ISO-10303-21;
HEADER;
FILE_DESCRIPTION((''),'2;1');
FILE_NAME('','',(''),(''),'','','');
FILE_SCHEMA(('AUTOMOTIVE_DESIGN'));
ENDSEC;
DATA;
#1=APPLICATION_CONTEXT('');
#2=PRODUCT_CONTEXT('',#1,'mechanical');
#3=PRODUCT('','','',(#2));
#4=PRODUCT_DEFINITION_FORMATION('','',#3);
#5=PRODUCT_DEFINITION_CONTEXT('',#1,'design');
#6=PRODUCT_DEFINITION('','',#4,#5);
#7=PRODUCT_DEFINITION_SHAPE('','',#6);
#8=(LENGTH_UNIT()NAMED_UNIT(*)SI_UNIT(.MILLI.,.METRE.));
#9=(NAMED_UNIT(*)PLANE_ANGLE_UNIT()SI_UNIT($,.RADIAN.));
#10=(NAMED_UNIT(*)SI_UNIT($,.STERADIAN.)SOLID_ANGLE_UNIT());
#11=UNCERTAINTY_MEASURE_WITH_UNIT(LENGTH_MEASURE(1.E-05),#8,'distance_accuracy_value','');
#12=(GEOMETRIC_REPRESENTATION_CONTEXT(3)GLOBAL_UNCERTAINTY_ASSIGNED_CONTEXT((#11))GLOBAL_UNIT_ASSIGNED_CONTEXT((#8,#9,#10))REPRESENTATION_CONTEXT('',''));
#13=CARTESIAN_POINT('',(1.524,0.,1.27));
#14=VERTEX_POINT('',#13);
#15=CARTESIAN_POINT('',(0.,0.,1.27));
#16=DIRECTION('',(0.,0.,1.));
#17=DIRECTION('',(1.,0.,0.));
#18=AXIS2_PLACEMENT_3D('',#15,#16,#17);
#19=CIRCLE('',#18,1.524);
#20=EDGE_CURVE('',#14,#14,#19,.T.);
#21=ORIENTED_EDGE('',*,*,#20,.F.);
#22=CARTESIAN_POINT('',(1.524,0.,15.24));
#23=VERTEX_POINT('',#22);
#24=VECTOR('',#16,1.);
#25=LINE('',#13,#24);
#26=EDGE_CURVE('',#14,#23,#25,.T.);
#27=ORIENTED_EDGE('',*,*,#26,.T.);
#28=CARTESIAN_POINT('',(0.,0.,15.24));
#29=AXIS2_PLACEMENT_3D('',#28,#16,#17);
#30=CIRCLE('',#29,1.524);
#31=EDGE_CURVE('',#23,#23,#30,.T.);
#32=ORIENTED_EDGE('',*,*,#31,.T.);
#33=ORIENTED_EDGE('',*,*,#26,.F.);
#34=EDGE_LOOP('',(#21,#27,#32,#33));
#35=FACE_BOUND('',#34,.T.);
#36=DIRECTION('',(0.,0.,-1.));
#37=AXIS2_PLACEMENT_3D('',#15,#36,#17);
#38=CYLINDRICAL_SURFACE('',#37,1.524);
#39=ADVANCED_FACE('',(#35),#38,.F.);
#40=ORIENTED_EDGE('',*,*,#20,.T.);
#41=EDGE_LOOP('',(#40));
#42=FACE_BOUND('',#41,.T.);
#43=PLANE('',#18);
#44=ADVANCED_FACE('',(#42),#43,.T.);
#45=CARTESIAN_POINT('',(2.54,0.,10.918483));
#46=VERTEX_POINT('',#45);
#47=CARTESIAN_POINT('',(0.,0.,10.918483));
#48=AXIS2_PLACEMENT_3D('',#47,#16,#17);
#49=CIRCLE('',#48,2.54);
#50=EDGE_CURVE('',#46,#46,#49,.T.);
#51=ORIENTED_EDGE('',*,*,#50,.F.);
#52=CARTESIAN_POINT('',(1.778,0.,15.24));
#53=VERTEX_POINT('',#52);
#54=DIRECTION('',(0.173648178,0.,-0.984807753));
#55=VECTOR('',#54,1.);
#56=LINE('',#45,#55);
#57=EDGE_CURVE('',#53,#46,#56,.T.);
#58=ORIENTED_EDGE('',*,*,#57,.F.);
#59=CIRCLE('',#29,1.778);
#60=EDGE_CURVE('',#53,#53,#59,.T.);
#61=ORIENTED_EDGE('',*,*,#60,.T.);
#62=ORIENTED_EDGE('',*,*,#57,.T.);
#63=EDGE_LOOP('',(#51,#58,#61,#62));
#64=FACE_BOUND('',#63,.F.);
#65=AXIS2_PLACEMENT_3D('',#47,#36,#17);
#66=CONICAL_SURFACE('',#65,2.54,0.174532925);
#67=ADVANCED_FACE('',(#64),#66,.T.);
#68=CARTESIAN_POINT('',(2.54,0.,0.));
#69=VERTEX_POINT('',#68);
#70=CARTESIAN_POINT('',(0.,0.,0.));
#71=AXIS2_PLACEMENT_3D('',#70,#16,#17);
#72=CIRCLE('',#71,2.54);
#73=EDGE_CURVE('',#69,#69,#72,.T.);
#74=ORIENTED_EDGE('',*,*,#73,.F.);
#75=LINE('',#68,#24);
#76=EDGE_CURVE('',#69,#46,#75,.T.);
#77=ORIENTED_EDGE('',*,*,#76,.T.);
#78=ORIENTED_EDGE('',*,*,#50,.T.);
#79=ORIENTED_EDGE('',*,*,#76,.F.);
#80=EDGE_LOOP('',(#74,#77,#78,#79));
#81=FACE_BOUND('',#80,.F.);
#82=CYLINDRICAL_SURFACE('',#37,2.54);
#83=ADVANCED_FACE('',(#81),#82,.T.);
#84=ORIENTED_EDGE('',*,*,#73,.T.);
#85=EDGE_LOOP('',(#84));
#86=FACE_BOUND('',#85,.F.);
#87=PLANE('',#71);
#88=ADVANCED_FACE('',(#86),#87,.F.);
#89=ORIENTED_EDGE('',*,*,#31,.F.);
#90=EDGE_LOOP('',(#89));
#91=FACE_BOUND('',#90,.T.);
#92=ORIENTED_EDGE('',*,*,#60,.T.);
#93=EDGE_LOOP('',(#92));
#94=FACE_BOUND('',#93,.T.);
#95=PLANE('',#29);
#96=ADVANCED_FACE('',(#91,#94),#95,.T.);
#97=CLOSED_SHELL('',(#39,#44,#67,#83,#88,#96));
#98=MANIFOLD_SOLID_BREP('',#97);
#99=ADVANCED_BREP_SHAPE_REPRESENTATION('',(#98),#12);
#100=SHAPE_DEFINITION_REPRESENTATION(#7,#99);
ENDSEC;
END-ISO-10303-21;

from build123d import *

# Parameters (mm, degrees)
F0_R     = 2.54
F1_DEPTH = 1.27
F2_R     = 2.54
F2_R_2   = 1.524
F3_DEPTH = 13.97
F4_SIZE2 = 4.3215167465
F4_SIZE  = 0.762


with BuildPart() as f1:
    # F0 (on Top) → F1 (new body)
    with BuildSketch(Plane.XY):
        Circle(F0_R)
    extrude(amount=F1_DEPTH)

    # F2 (on face) → F3 (join)
    with BuildSketch(Plane.XY.offset(1.27)):
        Circle(F2_R)
        Circle(F2_R_2, mode=Mode.SUBTRACT)
    extrude(amount=F3_DEPTH)

    # F4
    f4_edges = [f1.edges().sort_by_distance(p)[0] for p in [
        (-2.54, 0, 15.24),
    ]]
    f4_side = f1.faces().sort_by_distance((-2.468158, 0, 15.24))[0]
    chamfer(f4_edges, length=F4_SIZE, length2=F4_SIZE2, reference=f4_side)


solid = f1.part
